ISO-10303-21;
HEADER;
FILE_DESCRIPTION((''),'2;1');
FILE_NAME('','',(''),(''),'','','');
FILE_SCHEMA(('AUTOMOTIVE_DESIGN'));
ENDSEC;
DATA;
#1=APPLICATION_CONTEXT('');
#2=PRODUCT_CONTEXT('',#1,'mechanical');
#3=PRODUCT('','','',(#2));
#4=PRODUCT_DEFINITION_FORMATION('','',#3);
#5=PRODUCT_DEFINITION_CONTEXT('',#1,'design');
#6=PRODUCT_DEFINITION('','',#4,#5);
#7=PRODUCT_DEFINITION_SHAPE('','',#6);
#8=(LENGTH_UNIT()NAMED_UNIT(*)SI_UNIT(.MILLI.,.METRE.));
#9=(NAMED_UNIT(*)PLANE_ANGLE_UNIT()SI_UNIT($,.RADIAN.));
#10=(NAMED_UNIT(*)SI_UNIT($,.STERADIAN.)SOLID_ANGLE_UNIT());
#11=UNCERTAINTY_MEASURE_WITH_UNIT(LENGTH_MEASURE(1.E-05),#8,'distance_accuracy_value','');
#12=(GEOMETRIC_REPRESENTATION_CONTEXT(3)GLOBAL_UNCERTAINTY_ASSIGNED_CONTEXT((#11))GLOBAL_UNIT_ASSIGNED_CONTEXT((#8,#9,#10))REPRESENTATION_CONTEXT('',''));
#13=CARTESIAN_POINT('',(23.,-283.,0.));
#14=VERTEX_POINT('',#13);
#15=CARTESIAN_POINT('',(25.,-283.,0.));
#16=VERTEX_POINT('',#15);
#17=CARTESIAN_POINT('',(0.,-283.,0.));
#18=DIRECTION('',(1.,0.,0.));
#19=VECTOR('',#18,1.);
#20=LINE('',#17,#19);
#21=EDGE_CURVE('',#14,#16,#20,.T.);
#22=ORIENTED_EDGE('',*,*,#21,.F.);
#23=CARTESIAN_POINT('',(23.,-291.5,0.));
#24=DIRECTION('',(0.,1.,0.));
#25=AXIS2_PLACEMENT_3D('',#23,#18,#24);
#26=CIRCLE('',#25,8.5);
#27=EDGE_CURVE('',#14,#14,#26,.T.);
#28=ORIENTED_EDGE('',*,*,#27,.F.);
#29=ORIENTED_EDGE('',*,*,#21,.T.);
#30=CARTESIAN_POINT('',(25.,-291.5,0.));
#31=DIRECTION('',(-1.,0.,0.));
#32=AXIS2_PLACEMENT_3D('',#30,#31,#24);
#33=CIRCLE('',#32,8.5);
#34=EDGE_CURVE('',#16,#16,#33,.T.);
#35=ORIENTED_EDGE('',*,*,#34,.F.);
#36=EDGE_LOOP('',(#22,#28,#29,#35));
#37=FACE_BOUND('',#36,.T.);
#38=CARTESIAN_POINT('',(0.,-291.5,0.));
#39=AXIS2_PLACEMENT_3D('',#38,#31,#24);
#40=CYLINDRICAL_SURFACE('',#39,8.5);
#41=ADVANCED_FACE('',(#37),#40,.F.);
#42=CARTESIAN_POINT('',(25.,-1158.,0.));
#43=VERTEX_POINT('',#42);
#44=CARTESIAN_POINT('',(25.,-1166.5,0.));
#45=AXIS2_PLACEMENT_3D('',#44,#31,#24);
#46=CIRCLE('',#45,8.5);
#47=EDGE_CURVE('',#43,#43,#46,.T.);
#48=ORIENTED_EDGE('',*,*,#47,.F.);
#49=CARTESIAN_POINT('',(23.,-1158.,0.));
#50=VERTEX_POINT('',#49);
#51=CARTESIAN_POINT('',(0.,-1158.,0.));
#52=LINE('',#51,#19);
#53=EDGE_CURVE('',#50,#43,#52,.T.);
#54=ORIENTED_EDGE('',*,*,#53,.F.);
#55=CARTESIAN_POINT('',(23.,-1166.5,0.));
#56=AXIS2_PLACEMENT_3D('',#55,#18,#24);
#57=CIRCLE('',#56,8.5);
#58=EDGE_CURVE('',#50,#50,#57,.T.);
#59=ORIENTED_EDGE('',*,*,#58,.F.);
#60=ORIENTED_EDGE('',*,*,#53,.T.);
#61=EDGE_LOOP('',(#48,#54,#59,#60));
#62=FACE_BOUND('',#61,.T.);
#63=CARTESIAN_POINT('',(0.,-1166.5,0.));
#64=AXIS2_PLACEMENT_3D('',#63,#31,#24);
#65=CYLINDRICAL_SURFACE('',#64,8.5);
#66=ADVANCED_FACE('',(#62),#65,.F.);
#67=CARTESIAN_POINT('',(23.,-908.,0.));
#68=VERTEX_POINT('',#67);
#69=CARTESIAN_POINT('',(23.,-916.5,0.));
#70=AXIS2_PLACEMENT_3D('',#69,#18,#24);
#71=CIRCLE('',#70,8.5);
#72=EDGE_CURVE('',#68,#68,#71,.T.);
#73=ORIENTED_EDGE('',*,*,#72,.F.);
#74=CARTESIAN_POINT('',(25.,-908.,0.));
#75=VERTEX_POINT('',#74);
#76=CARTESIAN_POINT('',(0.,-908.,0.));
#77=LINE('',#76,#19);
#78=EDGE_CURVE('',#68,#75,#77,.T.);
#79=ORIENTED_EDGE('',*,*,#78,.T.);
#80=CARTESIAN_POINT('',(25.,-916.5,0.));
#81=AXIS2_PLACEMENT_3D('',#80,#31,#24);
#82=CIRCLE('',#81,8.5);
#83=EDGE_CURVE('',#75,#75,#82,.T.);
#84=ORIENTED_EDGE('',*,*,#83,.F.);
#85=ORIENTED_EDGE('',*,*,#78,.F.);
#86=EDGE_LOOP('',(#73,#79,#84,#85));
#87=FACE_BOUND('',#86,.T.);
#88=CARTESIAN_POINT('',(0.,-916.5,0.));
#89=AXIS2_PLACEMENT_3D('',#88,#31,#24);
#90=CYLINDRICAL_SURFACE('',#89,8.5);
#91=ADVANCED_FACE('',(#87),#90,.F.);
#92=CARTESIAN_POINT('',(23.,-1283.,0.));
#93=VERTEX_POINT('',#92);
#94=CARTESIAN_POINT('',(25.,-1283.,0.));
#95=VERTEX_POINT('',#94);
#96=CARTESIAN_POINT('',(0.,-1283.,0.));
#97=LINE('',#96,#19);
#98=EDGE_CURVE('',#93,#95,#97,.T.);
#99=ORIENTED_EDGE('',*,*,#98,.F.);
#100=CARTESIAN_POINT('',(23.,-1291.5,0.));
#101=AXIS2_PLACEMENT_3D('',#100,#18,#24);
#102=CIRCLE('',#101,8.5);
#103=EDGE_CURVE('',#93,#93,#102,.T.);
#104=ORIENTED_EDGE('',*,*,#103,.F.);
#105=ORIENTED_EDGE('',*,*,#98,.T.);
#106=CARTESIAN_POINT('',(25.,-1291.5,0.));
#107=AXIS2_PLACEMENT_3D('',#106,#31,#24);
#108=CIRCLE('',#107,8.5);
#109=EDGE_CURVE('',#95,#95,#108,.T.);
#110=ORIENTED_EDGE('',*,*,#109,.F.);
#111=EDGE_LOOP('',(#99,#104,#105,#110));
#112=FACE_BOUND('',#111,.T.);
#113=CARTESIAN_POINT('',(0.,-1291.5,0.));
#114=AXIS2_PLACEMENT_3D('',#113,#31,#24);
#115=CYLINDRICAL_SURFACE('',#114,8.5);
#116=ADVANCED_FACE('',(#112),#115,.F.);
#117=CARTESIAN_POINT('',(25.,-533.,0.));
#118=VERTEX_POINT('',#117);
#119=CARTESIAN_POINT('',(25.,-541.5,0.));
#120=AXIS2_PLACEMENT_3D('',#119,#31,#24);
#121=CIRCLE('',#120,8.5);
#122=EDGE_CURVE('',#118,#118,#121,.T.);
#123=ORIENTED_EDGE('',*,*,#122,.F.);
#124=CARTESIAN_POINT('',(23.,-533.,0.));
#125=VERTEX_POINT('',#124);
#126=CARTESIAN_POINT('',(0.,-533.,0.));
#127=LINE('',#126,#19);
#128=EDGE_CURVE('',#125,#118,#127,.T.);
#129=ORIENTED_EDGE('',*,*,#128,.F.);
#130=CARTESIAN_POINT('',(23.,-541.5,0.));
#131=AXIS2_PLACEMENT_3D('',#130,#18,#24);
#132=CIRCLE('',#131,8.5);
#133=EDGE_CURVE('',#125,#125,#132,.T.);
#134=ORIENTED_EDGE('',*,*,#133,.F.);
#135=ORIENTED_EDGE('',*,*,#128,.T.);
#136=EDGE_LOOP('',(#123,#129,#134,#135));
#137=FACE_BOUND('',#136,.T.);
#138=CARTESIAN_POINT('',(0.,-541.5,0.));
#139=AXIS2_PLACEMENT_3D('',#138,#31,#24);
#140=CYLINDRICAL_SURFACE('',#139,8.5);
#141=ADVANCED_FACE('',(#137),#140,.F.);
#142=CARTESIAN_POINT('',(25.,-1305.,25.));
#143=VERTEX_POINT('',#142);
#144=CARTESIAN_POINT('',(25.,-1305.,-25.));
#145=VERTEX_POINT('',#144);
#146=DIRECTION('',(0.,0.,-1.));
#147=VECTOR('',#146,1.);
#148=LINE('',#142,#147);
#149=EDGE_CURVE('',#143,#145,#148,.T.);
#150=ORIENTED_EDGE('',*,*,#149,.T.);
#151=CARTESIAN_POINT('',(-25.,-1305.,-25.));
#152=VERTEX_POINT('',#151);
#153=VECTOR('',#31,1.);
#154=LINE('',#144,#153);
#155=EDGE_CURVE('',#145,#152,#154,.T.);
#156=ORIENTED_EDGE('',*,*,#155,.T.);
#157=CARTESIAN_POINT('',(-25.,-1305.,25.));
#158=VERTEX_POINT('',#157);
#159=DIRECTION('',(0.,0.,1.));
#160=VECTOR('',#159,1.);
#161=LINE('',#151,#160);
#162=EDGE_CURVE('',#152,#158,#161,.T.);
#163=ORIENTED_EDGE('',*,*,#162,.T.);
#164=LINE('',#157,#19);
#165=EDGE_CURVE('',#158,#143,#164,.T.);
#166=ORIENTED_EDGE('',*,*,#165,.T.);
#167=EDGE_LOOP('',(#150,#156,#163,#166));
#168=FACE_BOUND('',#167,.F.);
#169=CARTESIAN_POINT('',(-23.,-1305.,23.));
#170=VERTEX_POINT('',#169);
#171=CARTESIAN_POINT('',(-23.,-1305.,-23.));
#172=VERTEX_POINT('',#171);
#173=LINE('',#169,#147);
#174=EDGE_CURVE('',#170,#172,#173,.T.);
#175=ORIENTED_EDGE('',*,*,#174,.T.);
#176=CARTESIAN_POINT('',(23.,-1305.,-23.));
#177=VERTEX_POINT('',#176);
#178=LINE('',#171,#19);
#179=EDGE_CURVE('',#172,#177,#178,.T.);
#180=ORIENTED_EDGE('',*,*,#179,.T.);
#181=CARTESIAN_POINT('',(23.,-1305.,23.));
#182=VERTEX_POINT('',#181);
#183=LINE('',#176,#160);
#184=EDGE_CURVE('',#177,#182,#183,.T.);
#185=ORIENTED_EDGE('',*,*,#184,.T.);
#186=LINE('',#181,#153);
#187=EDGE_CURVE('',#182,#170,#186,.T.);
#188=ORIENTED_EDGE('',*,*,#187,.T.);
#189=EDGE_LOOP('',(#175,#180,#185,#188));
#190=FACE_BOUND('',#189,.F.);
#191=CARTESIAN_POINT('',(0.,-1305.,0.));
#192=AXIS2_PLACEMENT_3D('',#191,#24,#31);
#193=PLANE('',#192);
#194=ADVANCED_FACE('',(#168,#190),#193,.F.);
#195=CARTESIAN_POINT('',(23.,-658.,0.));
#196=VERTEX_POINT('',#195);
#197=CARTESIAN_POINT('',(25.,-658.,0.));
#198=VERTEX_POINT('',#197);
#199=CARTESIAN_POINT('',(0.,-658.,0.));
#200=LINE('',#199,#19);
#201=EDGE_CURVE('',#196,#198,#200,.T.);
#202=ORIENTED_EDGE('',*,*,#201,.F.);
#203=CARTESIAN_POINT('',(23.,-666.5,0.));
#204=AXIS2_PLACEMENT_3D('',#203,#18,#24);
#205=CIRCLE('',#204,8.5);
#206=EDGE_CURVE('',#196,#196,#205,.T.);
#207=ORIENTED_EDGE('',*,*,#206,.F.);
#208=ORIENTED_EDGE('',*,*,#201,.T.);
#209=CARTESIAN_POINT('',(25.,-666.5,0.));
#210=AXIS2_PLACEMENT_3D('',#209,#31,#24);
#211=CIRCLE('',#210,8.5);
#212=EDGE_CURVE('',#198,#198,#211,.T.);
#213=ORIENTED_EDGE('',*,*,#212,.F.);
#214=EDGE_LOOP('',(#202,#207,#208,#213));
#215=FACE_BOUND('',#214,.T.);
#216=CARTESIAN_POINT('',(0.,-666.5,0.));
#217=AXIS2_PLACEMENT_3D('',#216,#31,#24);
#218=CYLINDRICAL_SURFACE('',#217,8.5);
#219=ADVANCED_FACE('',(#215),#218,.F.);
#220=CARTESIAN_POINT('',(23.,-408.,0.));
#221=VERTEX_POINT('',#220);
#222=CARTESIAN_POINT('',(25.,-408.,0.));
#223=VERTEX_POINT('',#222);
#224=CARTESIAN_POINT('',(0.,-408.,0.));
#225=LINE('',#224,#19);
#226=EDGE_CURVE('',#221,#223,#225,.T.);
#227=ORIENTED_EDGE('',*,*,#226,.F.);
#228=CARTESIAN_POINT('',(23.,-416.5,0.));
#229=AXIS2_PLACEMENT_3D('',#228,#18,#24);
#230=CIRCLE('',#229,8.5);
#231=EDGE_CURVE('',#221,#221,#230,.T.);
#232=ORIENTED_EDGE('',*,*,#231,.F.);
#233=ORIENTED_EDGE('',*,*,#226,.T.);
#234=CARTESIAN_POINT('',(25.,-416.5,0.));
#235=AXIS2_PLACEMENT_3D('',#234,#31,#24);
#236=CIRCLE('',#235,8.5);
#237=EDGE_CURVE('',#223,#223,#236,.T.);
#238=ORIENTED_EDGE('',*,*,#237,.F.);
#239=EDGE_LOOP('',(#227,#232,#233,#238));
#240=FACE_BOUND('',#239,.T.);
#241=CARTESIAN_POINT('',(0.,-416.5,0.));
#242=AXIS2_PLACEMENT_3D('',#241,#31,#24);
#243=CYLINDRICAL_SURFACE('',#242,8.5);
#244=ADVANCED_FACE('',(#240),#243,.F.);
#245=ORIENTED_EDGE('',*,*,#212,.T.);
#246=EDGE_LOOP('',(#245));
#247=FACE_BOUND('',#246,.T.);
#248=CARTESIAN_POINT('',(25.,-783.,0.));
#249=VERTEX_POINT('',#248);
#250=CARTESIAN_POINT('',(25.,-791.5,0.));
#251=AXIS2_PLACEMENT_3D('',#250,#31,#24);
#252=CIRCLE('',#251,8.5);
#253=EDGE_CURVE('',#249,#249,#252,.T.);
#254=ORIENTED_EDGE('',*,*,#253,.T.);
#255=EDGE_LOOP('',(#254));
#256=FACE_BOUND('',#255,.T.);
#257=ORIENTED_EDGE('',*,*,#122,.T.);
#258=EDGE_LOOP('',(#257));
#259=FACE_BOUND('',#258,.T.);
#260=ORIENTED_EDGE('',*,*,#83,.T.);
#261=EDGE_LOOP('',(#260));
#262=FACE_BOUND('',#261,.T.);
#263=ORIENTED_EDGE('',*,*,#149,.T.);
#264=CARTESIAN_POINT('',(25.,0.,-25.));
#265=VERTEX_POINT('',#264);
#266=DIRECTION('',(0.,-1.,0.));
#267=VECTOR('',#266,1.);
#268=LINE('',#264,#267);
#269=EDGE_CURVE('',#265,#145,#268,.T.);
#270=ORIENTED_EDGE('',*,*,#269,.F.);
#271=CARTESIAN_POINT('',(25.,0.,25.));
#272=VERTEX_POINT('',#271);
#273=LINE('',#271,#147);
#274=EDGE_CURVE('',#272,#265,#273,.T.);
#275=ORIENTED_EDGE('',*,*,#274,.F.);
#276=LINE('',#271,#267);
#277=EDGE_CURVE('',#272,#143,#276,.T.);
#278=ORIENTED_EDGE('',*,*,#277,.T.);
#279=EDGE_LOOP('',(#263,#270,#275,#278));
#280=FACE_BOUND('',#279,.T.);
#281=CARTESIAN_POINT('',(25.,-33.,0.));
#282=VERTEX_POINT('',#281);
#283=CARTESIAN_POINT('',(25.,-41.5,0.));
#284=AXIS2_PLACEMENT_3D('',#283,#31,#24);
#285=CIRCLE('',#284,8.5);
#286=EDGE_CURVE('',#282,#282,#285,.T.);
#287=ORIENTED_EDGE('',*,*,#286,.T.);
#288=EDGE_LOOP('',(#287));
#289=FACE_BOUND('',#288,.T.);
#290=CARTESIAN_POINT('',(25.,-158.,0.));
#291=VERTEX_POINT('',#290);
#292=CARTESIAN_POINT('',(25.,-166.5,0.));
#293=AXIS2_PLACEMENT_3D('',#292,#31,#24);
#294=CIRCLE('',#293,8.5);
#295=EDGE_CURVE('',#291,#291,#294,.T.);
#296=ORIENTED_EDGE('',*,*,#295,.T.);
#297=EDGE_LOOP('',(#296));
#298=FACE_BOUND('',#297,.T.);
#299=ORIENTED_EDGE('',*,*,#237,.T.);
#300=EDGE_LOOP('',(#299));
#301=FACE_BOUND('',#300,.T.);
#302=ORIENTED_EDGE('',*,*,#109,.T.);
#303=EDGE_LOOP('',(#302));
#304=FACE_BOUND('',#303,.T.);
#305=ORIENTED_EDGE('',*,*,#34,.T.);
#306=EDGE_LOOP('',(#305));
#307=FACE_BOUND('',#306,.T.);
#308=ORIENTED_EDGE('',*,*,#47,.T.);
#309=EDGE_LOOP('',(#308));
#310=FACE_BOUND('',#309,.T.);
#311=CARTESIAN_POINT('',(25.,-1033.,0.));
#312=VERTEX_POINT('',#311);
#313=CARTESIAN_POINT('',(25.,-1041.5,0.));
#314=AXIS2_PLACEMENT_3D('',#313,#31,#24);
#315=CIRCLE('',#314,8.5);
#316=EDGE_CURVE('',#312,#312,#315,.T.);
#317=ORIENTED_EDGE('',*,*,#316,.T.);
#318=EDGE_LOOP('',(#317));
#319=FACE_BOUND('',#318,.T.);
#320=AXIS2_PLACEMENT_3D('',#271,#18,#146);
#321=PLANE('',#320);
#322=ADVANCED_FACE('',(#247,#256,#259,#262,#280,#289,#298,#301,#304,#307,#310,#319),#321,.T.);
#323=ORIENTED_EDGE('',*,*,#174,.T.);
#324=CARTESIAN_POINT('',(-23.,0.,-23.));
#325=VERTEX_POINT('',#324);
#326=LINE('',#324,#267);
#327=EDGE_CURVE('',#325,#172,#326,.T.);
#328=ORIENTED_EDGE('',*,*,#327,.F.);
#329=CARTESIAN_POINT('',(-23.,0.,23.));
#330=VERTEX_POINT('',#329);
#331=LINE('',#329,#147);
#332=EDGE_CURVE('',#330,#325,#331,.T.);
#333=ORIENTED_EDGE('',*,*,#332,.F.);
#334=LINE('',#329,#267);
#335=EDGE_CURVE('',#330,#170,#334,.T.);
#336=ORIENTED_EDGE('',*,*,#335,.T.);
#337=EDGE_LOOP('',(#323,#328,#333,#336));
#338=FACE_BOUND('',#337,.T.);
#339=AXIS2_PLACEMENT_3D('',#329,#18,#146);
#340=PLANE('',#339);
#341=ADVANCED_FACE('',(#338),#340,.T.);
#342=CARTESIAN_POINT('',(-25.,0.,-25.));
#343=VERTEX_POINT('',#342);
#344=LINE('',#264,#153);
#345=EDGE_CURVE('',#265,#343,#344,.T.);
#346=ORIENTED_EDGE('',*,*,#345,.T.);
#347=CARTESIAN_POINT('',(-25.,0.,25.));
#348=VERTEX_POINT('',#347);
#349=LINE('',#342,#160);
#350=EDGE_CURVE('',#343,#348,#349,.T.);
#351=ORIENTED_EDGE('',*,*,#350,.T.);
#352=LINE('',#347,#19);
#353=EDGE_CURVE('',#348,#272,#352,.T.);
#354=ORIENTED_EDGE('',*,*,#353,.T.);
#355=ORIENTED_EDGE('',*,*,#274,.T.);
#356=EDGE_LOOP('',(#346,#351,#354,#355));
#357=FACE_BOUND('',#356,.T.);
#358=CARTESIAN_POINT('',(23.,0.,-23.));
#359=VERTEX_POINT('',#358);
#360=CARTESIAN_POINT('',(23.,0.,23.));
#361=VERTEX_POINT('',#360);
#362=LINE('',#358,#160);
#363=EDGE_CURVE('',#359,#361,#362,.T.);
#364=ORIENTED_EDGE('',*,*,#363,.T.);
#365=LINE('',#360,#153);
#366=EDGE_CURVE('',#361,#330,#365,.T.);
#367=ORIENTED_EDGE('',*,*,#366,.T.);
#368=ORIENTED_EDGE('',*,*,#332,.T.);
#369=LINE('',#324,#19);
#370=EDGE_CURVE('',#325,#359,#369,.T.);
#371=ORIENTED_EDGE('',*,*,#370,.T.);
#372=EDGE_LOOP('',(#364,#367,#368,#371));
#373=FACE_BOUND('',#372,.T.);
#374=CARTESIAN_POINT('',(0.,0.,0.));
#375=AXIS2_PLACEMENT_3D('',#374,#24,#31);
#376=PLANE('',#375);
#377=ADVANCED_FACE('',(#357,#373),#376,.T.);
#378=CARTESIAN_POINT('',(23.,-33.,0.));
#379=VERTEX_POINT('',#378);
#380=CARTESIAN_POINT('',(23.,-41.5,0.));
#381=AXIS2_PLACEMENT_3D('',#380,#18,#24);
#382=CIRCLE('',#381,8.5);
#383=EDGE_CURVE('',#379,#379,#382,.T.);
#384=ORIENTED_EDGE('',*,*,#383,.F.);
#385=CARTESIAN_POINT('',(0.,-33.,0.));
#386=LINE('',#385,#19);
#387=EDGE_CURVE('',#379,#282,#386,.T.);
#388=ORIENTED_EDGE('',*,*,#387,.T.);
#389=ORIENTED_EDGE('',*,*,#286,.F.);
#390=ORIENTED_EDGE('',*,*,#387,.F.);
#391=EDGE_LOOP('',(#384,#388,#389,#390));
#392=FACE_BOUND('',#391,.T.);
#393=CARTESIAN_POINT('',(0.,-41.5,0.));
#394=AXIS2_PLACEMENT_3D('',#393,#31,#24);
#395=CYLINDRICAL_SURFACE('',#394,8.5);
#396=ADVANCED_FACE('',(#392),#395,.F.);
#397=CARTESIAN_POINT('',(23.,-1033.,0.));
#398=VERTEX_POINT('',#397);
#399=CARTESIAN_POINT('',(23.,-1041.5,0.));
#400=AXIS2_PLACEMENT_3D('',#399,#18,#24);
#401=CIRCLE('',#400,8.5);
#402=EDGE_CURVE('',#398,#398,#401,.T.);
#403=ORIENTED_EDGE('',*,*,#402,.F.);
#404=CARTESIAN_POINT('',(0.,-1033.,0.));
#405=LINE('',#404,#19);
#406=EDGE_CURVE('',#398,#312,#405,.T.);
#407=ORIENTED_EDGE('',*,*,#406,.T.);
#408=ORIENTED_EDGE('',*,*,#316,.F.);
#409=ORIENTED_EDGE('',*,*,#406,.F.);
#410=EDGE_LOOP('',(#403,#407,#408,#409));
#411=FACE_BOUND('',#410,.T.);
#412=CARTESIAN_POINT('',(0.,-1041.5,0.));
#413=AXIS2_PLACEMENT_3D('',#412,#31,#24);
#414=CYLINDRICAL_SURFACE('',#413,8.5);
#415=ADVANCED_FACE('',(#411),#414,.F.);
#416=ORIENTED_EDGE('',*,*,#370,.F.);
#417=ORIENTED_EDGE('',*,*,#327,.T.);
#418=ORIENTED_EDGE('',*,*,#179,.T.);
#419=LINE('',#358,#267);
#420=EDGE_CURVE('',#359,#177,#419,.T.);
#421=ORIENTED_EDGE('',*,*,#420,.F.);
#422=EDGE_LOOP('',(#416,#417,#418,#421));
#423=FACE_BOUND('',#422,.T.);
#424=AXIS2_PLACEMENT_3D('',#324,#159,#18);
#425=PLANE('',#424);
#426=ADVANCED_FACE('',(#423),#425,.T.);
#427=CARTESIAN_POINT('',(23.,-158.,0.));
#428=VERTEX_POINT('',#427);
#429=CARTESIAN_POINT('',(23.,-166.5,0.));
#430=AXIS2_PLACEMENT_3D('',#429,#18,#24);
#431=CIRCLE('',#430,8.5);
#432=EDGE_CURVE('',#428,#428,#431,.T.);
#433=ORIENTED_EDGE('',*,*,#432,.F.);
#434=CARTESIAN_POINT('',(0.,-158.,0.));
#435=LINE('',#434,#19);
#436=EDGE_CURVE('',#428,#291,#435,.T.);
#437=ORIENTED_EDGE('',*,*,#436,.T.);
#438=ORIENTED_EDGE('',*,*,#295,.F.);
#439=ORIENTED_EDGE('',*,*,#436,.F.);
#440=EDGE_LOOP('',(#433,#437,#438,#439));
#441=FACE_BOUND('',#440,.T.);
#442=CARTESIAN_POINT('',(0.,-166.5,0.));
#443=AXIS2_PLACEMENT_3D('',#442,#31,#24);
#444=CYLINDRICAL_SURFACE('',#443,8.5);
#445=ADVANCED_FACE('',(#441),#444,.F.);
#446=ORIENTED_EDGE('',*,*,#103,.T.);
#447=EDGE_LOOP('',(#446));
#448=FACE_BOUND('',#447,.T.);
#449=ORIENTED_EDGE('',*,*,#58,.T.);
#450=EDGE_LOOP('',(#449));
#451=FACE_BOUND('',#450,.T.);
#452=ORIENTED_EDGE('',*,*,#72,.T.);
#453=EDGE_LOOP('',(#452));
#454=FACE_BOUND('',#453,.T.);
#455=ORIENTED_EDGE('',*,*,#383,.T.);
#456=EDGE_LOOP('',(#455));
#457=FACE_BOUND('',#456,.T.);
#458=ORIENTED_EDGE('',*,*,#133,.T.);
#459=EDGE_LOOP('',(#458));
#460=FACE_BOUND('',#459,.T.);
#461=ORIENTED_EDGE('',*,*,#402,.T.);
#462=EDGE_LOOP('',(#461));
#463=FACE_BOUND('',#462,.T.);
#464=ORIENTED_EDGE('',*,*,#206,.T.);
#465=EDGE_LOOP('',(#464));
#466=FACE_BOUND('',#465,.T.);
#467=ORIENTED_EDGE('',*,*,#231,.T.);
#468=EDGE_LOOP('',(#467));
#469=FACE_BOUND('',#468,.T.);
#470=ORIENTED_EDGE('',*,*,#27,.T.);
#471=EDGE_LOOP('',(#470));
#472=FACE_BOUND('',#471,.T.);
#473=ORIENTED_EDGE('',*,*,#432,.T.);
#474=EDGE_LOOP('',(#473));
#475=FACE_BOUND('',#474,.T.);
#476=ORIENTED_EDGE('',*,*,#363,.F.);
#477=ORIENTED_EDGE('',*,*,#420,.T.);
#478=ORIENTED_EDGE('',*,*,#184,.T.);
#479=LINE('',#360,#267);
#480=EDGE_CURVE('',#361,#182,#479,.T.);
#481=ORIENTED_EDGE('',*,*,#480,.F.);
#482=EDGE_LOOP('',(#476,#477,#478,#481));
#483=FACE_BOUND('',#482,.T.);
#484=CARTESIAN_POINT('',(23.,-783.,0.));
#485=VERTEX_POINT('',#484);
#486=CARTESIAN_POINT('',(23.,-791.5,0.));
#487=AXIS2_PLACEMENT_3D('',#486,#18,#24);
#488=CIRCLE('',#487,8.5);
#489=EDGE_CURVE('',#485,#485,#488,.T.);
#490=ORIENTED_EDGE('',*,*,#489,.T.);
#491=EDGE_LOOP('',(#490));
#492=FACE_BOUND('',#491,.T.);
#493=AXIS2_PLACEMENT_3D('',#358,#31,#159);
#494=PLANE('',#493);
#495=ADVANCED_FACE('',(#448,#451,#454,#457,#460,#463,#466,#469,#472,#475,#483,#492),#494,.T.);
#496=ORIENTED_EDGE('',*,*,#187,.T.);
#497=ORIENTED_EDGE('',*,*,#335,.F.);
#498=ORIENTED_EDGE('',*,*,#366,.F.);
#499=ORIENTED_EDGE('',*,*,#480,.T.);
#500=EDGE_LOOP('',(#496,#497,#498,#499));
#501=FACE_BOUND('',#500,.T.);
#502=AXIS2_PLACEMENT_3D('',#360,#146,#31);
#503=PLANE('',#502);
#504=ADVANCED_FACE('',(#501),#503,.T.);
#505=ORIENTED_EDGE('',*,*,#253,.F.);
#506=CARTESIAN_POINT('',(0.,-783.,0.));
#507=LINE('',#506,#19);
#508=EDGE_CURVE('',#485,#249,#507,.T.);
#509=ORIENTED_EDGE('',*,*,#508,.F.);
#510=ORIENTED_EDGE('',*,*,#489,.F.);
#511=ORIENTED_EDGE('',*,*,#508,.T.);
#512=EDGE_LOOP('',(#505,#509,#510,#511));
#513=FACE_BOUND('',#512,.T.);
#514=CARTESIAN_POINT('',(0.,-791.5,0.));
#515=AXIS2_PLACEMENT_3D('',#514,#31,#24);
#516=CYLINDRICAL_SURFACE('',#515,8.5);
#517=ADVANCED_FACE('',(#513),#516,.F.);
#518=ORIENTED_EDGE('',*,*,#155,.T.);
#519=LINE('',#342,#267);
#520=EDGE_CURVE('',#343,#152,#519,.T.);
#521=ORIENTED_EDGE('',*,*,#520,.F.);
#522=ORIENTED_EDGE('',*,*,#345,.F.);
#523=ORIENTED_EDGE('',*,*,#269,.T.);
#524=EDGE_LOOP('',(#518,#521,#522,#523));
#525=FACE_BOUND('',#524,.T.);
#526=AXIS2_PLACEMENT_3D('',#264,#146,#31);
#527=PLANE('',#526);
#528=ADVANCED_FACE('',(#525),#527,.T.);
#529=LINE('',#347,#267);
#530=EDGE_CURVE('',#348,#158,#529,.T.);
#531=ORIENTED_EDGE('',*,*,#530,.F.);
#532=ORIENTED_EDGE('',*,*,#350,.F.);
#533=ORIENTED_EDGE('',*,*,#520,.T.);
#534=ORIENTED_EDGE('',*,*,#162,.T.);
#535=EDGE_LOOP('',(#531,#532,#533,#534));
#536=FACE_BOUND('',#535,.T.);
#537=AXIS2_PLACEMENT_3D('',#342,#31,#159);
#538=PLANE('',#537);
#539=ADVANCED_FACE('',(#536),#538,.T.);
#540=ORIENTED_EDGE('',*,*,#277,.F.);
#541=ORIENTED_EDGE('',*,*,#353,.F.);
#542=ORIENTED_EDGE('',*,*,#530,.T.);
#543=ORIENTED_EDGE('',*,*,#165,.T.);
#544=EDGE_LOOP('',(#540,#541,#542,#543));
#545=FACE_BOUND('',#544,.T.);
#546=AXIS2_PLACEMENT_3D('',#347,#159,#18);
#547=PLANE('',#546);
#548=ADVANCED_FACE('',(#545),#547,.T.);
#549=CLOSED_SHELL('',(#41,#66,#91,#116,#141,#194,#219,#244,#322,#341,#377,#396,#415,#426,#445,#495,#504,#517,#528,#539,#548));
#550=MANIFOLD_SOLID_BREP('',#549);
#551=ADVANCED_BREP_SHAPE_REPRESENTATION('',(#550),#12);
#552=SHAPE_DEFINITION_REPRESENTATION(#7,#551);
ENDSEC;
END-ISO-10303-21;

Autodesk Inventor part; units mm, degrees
ref_plane "YZ Plane" through (0, 0, 0) normal (1, 0, 0) x (0, 1, 0)
ref_plane "XZ Plane" through (0, 0, 0) normal (0, 1, 0) x (-1, 0, 0)
ref_plane "XY Plane" through (0, 0, 0) normal (0, 0, 1) x (1, 0, 0)
sketch "Sketch9" plane through (0, 0, 0) normal (0, 1, 0) x (-1, 0, 0)
  line L0 (25, 25) -> (-25, 25)
  line L1 (-25, 25) -> (-25, -25)
  line L2 (-25, -25) -> (25, -25)
  line L3 (25, -25) -> (25, 25)
  line L4 (25, 25) -> (-25, -25) construction
  line L5 (-25, 25) -> (25, -25) construction
  line L6 (-23, 23) -> (23, 23)
  line L7 (23, 23) -> (23, -23)
  line L8 (23, -23) -> (-23, -23)
  line L9 (-23, -23) -> (-23, 23)
  point P0 (0, 0)
  dimension "d172" = 50
  dimension "d173" = 50
  dimension "d174" = 2
extrude "Extrusion3" add sketch "Sketch9" against normal blind 1305
sketch "Sketch10" plane through (0, 0, 0) normal (1, 0, 0) x (0, 1, 0)
  line L0 (0, 25) -> (0, -25) construction
  line L1 (0, 25) -> (-1305, 25) construction
  line L2 (-1305, -25) -> (-1305, 25) construction
  line L3 (0, -25) -> (-1305, -25) construction
  line L4 (-1300, 8.5) -> (-1283, 8.5)
  line L5 (-1283, 8.5) -> (-1283, -8.5)
  line L6 (-1283, -8.5) -> (-1300, -8.5)
  line L7 (-1300, -8.5) -> (-1300, 8.5)
  line L8 (-1300, 8.5) -> (-1283, -8.5) construction
  line L9 (-1283, 8.5) -> (-1300, -8.5) construction
  circle A0 centre (-1291.5, 0) radius 8.5
  line L10 (0, 25) -> (0, -25) projected
  point P0 (0, 0)
  point P1 (0, 0)
  point P2 (-1305, 0)
  dimension "d177" = 17
  dimension "d178" = 17
  dimension "d191" = 5
extrude "Extrusion4" cut sketch "Sketch10" along normal through all contours A0
pattern_linear "Rectangular Pattern4" count 11 spacing 125 along (0, 1, 0) of "Extrusion4"
properties part number "TKS 3532 FDS WAY tube2" material "Stainless Steel"
